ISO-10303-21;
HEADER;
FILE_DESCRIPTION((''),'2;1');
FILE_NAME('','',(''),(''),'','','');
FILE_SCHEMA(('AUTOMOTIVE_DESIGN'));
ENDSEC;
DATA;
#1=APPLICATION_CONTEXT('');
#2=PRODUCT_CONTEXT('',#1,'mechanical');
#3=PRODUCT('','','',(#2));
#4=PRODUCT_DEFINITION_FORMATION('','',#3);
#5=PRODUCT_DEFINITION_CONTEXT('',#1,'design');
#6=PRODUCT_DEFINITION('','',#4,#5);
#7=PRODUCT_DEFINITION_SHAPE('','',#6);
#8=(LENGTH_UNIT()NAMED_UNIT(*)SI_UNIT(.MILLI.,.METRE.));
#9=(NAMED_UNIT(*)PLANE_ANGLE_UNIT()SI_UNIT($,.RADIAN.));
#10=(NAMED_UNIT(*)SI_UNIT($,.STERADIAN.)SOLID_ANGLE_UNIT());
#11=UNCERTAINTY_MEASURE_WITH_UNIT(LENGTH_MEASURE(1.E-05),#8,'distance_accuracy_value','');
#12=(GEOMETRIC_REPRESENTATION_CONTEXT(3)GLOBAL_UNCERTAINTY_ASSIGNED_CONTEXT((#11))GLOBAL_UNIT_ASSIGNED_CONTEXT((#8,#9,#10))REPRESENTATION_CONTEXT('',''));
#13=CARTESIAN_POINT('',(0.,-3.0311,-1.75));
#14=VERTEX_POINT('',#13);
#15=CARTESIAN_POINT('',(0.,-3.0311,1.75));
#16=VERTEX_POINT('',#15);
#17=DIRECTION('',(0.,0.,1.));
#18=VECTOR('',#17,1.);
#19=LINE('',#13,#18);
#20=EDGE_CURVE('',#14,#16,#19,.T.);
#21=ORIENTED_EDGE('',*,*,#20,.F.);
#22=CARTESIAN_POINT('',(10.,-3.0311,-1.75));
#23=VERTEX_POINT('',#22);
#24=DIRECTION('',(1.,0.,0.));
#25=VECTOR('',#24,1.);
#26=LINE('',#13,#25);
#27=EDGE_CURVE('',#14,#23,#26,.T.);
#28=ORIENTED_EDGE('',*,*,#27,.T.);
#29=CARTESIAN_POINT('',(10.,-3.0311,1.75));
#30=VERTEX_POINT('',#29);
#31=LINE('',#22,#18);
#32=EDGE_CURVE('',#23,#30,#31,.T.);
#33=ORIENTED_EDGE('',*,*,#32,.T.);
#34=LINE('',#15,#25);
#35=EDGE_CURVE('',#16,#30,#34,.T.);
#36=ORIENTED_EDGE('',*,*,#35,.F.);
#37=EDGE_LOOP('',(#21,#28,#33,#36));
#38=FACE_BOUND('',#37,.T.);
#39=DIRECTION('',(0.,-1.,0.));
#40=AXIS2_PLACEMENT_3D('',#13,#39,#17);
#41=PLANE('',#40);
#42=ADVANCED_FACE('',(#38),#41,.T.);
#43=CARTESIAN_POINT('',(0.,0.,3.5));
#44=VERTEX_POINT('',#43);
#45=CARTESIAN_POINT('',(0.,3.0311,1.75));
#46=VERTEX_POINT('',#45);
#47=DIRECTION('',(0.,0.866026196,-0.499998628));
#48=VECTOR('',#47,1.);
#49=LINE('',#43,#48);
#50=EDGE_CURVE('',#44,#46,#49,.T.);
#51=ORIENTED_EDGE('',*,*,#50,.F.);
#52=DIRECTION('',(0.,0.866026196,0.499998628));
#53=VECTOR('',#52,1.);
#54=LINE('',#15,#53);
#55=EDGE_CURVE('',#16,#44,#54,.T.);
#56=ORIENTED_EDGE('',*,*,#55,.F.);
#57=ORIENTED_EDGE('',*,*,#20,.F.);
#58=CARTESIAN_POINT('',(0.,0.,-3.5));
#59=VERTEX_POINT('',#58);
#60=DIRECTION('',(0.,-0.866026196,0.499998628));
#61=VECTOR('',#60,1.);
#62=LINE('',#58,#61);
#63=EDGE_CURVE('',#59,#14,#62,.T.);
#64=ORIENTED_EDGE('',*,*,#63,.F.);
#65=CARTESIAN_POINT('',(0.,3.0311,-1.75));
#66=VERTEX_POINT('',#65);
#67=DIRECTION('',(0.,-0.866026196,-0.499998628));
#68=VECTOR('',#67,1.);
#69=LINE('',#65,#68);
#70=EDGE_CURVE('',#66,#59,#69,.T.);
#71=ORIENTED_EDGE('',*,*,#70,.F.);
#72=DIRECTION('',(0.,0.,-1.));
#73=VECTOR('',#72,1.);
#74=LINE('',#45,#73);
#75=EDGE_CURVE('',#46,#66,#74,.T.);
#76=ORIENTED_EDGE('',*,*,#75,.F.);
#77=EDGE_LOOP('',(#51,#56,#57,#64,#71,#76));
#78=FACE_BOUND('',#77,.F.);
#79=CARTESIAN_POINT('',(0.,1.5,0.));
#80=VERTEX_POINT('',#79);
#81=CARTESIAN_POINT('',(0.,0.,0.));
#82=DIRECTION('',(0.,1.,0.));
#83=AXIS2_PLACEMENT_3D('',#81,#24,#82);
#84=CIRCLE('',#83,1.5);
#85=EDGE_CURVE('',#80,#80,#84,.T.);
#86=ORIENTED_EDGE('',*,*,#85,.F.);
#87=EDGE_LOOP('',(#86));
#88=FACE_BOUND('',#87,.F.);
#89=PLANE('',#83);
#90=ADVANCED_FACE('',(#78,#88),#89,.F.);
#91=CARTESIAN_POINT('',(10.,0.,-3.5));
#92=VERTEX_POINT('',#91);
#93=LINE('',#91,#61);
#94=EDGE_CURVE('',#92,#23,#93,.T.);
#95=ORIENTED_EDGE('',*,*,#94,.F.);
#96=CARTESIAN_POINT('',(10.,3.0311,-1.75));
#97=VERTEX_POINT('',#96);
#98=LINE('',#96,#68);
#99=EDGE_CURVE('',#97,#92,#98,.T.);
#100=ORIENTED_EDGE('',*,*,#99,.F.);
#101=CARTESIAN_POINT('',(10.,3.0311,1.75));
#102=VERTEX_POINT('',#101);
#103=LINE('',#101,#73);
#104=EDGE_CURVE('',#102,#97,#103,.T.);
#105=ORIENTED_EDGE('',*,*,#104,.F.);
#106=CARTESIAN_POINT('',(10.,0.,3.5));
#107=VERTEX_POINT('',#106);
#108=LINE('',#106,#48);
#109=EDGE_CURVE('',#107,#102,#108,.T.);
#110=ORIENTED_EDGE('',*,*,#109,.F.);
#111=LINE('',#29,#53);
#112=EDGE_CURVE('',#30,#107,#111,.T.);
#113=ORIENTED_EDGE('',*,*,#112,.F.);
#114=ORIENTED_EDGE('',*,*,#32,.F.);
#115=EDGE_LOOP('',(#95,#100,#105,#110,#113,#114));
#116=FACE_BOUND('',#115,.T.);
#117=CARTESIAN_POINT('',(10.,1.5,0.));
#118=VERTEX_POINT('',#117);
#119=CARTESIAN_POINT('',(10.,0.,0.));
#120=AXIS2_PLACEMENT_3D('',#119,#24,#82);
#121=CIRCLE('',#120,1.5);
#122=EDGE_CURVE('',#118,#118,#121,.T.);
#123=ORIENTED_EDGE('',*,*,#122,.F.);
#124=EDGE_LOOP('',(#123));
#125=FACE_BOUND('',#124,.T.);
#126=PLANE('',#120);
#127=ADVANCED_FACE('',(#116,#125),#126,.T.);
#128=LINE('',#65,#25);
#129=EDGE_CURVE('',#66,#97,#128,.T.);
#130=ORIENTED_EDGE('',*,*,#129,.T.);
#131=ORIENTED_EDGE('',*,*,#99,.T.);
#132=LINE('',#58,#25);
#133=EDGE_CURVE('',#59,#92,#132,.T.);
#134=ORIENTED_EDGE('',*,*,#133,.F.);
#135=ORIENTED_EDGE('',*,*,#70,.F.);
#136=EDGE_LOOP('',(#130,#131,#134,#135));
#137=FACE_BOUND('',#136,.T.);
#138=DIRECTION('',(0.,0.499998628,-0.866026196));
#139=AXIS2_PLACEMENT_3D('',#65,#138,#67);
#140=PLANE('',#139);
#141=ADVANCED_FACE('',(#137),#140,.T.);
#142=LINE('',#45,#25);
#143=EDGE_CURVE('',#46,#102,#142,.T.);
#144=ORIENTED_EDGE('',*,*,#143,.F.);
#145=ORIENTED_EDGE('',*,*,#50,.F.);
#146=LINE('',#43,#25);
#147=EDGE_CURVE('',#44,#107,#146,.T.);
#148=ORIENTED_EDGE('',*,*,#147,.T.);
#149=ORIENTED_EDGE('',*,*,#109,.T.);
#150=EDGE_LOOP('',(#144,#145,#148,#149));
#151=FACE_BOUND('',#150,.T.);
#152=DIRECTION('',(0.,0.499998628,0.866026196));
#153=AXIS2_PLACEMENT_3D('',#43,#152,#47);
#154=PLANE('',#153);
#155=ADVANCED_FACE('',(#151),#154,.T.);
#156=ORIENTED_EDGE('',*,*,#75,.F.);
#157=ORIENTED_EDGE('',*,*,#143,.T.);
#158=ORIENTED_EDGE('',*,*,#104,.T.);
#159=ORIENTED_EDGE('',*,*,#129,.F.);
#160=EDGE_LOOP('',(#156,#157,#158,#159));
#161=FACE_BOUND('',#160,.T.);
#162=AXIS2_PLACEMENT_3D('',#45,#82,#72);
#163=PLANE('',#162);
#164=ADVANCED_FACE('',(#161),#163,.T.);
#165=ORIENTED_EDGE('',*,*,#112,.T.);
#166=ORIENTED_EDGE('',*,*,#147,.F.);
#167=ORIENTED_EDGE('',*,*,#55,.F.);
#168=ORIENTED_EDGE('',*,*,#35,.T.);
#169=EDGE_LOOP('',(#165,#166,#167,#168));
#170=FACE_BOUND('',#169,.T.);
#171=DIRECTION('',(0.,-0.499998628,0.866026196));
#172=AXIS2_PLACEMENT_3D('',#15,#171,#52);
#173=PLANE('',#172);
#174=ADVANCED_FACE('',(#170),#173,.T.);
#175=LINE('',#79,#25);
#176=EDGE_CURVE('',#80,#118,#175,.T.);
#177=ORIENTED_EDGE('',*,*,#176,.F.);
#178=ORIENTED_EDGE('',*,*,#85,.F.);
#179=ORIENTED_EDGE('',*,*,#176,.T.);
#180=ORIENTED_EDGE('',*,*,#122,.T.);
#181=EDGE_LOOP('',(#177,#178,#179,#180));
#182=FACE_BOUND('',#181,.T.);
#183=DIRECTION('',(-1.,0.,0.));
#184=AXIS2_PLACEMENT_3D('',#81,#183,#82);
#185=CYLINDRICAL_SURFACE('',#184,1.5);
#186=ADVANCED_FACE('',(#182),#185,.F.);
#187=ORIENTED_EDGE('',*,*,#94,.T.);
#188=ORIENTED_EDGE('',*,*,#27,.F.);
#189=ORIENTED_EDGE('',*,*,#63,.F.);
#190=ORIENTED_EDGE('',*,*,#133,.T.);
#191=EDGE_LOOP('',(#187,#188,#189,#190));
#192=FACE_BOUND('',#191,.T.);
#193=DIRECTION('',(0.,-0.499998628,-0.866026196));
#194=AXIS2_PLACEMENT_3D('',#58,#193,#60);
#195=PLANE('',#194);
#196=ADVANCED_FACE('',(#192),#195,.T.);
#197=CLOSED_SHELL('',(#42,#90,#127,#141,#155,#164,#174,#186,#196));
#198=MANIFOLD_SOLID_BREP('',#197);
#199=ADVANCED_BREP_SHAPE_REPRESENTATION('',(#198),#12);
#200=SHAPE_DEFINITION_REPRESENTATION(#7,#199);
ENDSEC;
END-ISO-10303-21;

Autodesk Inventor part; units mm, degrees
ref_plane "YZ Plane" through (0, 0, 0) normal (1, 0, 0) x (0, 1, 0)
ref_plane "XZ Plane" through (0, 0, 0) normal (0, 1, 0) x (-1, 0, 0)
ref_plane "XY Plane" through (0, 0, 0) normal (0, 0, 1) x (1, 0, 0)
sketch "Sketch1" plane through (0, 0, 0) normal (1, 0, 0) x (0, 1, 0)
  line L0 (0, 3.5) -> (3.0311, 1.75)
  line L1 (3.0311, 1.75) -> (3.0311, -1.75)
  line L2 (3.0311, -1.75) -> (0, -3.5)
  line L3 (0, -3.5) -> (-3.0311, -1.75)
  line L4 (-3.0311, -1.75) -> (-3.0311, 1.75)
  line L5 (-3.0311, 1.75) -> (0, 3.5)
  circle A0 centre (0, 0) radius 1.5
  dimension "d0" = 7
  dimension "d1" = 3
  dimension "d4" = 6.0622
extrude "Extrusion1" add sketch "Sketch1" along normal blind 10
properties part number "Spacer2" material "Brass, Soft Yellow"
